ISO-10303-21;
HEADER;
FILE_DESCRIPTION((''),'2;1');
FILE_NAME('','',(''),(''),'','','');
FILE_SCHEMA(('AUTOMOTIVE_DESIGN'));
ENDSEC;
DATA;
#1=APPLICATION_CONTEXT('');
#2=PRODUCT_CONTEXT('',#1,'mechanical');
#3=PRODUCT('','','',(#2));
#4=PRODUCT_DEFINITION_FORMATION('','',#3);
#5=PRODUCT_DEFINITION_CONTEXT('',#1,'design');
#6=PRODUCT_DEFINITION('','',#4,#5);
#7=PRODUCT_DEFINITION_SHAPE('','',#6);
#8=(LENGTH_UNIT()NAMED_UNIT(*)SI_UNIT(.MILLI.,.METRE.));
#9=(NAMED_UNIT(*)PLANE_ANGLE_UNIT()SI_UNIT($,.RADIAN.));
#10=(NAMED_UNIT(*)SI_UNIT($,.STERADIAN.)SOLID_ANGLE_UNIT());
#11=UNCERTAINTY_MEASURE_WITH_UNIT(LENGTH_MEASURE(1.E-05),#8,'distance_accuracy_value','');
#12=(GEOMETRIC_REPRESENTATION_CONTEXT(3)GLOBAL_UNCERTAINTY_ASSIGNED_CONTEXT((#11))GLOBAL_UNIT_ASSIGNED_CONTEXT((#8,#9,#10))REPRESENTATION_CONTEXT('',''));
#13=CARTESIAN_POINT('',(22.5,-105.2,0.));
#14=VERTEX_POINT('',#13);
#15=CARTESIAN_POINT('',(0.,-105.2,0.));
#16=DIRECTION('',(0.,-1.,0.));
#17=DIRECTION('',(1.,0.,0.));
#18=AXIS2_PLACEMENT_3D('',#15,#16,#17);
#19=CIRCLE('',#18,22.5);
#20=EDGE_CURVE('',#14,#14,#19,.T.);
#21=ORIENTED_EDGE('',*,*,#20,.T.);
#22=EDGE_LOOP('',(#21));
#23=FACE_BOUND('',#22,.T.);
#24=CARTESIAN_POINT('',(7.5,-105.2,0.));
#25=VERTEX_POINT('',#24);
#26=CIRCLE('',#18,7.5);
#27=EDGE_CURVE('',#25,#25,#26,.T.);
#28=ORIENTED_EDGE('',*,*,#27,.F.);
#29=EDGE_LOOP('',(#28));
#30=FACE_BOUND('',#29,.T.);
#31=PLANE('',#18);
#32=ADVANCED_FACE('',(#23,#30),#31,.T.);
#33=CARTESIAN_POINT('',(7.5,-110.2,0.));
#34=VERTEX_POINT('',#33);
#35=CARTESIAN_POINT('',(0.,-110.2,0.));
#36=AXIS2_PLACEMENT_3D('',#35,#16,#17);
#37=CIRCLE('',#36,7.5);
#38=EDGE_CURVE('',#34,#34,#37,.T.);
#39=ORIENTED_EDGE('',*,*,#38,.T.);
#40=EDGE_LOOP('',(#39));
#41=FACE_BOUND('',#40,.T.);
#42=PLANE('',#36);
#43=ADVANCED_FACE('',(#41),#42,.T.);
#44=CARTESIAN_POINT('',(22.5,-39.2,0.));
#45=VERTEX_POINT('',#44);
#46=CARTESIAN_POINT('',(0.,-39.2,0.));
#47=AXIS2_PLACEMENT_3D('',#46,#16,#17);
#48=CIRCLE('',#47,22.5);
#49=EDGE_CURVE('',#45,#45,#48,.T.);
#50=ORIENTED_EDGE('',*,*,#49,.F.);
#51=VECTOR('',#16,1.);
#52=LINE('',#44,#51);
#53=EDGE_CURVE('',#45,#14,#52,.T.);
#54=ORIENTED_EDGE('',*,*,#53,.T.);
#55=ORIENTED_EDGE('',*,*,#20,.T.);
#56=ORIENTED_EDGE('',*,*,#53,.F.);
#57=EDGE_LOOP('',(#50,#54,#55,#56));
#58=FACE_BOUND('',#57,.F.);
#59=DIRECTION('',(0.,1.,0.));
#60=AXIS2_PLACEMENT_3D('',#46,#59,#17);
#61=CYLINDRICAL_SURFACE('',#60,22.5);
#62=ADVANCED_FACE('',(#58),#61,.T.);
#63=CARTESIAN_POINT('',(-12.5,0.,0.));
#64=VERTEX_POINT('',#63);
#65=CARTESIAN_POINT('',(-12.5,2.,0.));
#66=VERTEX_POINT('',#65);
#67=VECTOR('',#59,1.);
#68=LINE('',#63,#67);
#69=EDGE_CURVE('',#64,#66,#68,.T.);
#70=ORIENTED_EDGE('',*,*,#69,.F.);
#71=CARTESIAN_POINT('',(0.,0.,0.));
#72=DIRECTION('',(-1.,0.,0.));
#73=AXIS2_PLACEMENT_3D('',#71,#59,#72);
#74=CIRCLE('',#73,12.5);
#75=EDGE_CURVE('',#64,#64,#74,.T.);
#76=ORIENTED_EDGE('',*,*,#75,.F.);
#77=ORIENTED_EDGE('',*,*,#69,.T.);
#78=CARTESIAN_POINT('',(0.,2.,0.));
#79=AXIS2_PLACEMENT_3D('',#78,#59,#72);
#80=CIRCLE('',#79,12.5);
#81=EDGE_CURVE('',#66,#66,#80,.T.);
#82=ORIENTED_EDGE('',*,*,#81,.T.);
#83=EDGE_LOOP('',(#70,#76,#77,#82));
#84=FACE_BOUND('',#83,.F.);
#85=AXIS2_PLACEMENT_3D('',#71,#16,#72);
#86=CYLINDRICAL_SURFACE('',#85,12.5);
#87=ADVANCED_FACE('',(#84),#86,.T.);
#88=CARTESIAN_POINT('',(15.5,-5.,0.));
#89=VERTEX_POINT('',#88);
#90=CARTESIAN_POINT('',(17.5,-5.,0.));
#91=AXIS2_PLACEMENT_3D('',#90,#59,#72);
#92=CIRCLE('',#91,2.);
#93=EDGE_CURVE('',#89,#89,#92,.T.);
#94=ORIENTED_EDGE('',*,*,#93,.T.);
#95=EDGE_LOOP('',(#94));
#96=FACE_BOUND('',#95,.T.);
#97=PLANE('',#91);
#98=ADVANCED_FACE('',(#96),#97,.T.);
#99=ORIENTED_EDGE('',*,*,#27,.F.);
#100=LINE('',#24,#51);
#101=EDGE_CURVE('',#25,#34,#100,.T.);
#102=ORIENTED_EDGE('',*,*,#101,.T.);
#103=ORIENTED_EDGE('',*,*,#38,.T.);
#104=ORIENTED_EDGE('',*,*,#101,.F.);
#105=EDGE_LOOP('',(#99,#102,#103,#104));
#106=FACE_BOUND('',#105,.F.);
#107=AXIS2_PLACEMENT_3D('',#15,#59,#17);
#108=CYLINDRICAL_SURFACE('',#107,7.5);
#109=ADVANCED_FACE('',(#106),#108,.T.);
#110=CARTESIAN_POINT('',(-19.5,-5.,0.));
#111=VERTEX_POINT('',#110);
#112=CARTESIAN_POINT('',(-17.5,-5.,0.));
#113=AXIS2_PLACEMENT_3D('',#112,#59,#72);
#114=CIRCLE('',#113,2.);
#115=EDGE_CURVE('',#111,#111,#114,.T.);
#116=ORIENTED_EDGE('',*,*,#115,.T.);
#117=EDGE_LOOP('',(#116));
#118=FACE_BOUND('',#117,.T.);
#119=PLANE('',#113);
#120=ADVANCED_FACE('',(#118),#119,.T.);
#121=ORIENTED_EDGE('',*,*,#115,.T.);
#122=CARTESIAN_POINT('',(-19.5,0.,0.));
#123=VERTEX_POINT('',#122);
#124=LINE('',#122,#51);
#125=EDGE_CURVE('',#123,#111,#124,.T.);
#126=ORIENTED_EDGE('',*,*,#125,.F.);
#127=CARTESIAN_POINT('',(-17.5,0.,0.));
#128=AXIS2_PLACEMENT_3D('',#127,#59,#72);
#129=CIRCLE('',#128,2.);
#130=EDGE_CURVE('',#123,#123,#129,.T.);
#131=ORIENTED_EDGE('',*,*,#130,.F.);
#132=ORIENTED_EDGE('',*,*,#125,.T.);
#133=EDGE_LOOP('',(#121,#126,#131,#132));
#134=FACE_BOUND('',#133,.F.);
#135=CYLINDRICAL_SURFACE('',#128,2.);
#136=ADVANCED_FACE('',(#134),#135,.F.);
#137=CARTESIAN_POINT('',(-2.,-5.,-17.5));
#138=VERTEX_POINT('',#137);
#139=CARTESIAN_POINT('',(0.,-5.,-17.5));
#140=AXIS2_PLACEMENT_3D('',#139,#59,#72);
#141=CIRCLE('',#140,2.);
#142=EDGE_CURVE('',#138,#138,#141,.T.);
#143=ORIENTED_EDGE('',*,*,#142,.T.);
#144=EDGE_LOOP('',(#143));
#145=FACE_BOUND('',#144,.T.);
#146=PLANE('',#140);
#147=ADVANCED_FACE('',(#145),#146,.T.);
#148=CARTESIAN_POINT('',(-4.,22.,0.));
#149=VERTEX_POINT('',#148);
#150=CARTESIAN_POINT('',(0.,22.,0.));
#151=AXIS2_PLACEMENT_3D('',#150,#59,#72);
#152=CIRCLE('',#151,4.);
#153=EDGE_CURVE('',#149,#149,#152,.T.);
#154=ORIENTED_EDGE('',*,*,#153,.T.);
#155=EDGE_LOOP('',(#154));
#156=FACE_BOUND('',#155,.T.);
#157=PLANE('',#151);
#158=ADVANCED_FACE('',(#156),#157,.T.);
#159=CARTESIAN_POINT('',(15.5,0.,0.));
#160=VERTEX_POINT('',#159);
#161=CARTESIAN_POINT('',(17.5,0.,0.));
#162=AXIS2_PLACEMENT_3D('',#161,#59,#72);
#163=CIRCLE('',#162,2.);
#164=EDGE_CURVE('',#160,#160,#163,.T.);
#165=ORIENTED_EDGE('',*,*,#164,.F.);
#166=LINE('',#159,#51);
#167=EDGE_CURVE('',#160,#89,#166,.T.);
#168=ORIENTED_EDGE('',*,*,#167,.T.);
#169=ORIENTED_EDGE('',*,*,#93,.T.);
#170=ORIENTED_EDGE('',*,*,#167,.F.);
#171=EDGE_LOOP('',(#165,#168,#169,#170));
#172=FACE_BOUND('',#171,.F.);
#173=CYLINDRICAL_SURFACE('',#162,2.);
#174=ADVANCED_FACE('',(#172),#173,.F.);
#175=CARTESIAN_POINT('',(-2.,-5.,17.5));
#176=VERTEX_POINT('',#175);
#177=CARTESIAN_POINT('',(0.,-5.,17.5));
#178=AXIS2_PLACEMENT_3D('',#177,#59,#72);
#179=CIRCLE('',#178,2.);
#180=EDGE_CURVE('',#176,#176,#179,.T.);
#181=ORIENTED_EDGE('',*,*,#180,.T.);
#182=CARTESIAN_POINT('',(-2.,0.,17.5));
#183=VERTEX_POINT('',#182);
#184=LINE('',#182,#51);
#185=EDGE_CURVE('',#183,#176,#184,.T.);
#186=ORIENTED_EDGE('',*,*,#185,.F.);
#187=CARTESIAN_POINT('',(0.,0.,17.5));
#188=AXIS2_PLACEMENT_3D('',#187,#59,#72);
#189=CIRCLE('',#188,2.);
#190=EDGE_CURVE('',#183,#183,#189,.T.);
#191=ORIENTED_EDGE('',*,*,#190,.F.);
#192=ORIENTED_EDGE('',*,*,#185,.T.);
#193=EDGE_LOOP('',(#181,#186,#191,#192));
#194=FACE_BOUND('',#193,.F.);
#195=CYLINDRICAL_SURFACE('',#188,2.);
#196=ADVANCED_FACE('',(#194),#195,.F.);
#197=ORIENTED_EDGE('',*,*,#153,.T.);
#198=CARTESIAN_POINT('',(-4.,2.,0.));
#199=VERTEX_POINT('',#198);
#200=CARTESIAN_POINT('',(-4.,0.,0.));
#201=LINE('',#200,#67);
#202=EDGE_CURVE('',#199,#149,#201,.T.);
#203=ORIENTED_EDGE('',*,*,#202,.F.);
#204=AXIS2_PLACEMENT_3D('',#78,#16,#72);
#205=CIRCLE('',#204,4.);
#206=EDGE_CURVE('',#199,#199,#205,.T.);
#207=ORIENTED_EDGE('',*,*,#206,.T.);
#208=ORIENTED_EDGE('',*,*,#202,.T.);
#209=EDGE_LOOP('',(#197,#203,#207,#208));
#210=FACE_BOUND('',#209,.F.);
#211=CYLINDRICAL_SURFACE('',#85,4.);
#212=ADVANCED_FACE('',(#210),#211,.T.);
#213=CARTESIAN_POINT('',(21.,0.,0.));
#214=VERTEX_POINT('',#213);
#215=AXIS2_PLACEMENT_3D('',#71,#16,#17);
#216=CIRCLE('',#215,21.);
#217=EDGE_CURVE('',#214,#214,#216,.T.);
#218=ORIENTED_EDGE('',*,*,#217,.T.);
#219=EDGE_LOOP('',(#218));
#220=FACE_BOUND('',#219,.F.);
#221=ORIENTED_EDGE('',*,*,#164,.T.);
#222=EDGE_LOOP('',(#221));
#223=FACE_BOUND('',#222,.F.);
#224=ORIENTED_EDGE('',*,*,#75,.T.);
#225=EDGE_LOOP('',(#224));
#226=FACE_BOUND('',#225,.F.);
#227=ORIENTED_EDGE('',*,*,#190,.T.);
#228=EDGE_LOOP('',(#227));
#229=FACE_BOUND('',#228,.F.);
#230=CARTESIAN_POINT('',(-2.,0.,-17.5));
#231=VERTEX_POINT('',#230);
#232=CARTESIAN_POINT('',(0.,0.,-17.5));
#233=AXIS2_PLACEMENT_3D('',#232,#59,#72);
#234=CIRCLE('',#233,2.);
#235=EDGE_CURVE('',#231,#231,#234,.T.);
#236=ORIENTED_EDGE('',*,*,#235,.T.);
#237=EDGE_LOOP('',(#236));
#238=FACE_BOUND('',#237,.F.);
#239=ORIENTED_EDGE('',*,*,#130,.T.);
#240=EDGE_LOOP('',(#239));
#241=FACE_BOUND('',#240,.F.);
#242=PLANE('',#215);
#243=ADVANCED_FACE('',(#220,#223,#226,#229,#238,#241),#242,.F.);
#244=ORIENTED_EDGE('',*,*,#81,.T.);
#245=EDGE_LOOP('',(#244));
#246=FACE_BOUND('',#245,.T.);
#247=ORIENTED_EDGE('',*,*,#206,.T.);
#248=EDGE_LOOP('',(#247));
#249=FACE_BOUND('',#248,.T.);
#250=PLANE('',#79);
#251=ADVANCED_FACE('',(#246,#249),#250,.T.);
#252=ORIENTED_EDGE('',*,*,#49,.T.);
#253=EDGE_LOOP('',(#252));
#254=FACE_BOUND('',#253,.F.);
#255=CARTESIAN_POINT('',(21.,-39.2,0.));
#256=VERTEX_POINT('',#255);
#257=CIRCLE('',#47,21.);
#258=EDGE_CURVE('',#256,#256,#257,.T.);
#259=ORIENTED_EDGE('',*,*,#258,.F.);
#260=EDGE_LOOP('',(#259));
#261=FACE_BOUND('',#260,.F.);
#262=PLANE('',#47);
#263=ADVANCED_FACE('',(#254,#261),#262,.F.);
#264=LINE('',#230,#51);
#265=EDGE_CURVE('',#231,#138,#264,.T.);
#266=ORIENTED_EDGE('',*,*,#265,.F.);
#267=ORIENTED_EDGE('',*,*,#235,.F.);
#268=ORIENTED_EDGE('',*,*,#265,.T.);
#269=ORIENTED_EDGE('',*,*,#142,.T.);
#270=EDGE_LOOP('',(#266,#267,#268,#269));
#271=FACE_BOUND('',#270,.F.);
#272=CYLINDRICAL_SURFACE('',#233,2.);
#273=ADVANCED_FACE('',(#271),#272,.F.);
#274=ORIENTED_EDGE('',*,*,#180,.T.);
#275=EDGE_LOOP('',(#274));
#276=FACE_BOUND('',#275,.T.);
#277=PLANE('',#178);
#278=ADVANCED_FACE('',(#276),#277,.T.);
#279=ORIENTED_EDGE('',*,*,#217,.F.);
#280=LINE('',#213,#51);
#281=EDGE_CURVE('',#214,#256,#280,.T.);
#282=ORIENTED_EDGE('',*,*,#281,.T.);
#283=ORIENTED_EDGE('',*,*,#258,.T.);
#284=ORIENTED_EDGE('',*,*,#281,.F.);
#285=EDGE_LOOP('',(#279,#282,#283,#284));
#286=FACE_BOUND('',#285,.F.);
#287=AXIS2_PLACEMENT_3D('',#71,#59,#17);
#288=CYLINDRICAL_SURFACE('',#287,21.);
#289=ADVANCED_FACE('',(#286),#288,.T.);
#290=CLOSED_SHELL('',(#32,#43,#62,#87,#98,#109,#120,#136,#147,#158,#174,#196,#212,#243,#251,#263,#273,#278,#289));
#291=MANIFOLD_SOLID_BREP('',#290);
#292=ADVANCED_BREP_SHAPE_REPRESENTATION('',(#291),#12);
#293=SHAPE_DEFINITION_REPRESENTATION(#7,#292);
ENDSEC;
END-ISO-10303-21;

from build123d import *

# Parameters (mm, degrees)
F0_R      = 21
F1_DEPTH  = 39.2
F3_R      = 4
F4_DEPTH  = 22
F5_R      = 12.5
F6_DEPTH  = 2
F7_R      = 22.5
F8_DEPTH  = 66
F9_R      = 7.5
F10_DEPTH = 5
F11_R     = 2
F12_DEPTH = 5


with BuildPart() as f1:
    # F0 (on Front) → F1 (new body)
    with BuildSketch(Plane.XZ):
        Circle(F0_R)
    extrude(amount=F1_DEPTH)

    # F3 (on face) → F4 (join)
    with BuildSketch(Plane(origin=(0, 0, 0), x_dir=(-1, 0, 0), z_dir=(0, 1, 0))):
        Circle(F3_R)
    extrude(amount=F4_DEPTH)

    # F5 (on face) → F6 (join)
    with BuildSketch(Plane(origin=(0, 0, 0), x_dir=(-1, 0, 0), z_dir=(0, 1, 0))):
        Circle(F5_R)
    extrude(amount=F6_DEPTH)

    # F7 (on face) → F8 (join)
    with BuildSketch(Plane.XZ.offset(39.2)):
        Circle(F7_R)
    extrude(amount=F8_DEPTH)

    # F9 (on face) → F10 (join)
    with BuildSketch(Plane.XZ.offset(105.2)):
        Circle(F9_R)
    extrude(amount=F10_DEPTH)

    # F11 (on face) → F12 (cut)
    with BuildSketch(Plane(origin=(0, 0, 0), x_dir=(-1, 0, 0), z_dir=(0, 1, 0))):
        with Locations((-17.5, 0)):
            Circle(F11_R)
        with Locations((0, 17.5)):
            Circle(F11_R)
        with Locations((17.5, 0)):
            Circle(F11_R)
        with Locations((0, -17.5)):
            Circle(F11_R)
    extrude(amount=-F12_DEPTH, mode=Mode.SUBTRACT)


solid = f1.part
